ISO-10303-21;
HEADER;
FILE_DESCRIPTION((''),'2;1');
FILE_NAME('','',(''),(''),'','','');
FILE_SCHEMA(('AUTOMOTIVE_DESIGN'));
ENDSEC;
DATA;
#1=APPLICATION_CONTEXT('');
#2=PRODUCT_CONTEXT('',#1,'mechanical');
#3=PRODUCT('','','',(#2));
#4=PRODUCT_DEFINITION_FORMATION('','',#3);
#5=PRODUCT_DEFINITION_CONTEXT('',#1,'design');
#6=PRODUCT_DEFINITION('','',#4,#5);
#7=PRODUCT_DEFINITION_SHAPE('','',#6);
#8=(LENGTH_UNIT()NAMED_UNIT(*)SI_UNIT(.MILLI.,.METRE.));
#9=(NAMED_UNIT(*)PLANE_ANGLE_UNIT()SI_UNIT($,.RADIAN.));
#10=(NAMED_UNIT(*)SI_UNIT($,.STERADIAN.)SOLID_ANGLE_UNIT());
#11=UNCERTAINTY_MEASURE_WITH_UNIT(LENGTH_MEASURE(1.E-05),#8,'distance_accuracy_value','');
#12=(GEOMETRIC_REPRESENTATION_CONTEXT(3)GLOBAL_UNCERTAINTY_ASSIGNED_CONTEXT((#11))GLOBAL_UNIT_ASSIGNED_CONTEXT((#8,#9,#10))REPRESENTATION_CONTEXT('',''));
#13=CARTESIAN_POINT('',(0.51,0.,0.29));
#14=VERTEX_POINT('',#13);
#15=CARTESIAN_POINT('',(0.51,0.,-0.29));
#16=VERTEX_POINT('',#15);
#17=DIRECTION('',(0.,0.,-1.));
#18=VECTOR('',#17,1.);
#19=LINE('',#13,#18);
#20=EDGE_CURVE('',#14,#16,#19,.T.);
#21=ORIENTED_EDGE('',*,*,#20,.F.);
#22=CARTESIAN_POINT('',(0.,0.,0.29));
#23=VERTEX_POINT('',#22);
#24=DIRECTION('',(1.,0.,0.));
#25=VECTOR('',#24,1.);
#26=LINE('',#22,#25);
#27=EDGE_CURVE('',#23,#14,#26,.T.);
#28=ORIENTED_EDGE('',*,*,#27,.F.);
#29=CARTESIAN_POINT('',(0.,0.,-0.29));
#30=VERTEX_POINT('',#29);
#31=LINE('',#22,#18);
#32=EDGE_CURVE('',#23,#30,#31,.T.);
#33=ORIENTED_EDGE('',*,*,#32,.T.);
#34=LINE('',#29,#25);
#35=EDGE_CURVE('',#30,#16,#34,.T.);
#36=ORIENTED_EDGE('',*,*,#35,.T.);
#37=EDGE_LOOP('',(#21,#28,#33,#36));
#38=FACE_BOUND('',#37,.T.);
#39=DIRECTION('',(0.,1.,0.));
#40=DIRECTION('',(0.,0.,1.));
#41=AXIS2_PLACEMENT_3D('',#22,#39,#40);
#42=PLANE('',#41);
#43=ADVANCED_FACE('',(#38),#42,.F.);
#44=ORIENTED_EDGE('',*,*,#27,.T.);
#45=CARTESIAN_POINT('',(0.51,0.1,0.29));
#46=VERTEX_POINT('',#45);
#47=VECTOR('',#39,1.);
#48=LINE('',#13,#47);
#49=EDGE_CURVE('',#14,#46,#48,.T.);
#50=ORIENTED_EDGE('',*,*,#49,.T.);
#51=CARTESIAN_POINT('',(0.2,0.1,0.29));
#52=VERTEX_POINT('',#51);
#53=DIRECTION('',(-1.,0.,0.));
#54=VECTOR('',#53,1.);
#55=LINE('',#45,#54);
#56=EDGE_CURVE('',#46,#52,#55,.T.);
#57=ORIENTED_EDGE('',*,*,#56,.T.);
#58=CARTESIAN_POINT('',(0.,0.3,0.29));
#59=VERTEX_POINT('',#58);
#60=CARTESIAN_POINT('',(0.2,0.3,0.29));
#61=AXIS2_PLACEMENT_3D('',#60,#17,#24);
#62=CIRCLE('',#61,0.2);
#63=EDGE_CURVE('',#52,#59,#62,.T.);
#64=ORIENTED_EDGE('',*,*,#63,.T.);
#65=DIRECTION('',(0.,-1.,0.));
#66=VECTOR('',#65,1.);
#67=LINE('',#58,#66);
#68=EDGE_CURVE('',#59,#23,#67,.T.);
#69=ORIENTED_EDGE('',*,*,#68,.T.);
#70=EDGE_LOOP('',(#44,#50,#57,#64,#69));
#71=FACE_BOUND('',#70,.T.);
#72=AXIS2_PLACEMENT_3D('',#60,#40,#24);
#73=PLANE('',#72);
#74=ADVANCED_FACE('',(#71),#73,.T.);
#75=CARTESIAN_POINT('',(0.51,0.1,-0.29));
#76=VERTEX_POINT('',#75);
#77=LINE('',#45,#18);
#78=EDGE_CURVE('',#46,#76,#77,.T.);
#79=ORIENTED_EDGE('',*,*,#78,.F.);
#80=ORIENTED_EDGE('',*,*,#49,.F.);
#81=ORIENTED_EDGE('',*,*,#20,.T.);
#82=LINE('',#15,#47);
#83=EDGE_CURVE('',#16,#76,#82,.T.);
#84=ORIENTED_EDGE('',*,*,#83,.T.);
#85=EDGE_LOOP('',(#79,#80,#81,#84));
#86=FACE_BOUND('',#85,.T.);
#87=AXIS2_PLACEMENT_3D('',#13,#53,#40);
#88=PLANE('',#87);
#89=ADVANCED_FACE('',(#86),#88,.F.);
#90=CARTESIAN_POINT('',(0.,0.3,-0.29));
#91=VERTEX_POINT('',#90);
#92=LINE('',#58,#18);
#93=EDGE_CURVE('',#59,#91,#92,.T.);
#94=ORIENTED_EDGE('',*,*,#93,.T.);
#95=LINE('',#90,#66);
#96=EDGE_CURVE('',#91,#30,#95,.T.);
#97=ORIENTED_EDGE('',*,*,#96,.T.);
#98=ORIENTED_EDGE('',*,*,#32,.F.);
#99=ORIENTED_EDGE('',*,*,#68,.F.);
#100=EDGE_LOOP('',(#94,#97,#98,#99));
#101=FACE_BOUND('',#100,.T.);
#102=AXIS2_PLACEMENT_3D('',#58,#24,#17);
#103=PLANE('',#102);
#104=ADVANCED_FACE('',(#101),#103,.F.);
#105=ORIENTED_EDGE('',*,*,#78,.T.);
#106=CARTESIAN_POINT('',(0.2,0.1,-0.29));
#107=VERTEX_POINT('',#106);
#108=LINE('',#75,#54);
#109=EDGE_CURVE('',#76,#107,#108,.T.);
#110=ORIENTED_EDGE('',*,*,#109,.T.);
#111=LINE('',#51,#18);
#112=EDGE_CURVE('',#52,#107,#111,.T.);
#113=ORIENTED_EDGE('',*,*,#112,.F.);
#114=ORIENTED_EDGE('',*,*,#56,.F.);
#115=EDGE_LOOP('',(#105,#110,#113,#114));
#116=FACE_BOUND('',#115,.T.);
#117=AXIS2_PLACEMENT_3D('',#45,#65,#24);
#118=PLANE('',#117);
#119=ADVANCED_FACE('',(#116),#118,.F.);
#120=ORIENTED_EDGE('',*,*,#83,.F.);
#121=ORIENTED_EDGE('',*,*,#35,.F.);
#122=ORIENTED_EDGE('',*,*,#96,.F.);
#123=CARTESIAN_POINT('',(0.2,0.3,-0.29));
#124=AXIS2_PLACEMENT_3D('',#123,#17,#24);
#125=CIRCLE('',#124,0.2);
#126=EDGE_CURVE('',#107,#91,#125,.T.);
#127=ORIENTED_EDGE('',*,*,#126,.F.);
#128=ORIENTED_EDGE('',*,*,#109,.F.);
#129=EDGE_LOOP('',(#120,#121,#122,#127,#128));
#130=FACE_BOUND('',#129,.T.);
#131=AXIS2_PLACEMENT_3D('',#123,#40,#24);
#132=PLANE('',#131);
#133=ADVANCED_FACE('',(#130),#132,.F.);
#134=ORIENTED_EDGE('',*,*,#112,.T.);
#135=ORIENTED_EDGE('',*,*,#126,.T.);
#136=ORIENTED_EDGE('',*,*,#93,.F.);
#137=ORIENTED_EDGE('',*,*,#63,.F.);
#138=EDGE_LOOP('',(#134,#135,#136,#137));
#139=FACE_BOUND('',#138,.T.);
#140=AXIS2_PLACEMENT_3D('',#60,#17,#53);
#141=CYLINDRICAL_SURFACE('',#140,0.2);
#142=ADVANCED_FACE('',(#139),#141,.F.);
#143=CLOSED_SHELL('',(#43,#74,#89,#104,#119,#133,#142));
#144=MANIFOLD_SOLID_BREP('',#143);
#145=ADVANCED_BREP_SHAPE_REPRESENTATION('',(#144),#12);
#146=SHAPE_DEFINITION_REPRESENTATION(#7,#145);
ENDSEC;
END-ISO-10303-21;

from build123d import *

# Parameters (mm, degrees)
BOSS_EXTRUDE1_DEPTH = 0.29


with BuildPart() as part:
    # Sketch1 → Boss-Extrude1 (new body, symmetric)
    with BuildSketch(Plane.XY):
        with BuildLine():
            Line((0, 0), (0.51, 0))
            Line((0.51, 0), (0.51, 0.1))
            Line((0.51, 0.1), (0.2, 0.1))
            ThreePointArc((0.2, 0.1), (0.058578644, 0.158578644), (0, 0.3))
            Line((0, 0.3), (0, 0))
        make_face()
    extrude(amount=BOSS_EXTRUDE1_DEPTH, both=True)


solid = part.part
